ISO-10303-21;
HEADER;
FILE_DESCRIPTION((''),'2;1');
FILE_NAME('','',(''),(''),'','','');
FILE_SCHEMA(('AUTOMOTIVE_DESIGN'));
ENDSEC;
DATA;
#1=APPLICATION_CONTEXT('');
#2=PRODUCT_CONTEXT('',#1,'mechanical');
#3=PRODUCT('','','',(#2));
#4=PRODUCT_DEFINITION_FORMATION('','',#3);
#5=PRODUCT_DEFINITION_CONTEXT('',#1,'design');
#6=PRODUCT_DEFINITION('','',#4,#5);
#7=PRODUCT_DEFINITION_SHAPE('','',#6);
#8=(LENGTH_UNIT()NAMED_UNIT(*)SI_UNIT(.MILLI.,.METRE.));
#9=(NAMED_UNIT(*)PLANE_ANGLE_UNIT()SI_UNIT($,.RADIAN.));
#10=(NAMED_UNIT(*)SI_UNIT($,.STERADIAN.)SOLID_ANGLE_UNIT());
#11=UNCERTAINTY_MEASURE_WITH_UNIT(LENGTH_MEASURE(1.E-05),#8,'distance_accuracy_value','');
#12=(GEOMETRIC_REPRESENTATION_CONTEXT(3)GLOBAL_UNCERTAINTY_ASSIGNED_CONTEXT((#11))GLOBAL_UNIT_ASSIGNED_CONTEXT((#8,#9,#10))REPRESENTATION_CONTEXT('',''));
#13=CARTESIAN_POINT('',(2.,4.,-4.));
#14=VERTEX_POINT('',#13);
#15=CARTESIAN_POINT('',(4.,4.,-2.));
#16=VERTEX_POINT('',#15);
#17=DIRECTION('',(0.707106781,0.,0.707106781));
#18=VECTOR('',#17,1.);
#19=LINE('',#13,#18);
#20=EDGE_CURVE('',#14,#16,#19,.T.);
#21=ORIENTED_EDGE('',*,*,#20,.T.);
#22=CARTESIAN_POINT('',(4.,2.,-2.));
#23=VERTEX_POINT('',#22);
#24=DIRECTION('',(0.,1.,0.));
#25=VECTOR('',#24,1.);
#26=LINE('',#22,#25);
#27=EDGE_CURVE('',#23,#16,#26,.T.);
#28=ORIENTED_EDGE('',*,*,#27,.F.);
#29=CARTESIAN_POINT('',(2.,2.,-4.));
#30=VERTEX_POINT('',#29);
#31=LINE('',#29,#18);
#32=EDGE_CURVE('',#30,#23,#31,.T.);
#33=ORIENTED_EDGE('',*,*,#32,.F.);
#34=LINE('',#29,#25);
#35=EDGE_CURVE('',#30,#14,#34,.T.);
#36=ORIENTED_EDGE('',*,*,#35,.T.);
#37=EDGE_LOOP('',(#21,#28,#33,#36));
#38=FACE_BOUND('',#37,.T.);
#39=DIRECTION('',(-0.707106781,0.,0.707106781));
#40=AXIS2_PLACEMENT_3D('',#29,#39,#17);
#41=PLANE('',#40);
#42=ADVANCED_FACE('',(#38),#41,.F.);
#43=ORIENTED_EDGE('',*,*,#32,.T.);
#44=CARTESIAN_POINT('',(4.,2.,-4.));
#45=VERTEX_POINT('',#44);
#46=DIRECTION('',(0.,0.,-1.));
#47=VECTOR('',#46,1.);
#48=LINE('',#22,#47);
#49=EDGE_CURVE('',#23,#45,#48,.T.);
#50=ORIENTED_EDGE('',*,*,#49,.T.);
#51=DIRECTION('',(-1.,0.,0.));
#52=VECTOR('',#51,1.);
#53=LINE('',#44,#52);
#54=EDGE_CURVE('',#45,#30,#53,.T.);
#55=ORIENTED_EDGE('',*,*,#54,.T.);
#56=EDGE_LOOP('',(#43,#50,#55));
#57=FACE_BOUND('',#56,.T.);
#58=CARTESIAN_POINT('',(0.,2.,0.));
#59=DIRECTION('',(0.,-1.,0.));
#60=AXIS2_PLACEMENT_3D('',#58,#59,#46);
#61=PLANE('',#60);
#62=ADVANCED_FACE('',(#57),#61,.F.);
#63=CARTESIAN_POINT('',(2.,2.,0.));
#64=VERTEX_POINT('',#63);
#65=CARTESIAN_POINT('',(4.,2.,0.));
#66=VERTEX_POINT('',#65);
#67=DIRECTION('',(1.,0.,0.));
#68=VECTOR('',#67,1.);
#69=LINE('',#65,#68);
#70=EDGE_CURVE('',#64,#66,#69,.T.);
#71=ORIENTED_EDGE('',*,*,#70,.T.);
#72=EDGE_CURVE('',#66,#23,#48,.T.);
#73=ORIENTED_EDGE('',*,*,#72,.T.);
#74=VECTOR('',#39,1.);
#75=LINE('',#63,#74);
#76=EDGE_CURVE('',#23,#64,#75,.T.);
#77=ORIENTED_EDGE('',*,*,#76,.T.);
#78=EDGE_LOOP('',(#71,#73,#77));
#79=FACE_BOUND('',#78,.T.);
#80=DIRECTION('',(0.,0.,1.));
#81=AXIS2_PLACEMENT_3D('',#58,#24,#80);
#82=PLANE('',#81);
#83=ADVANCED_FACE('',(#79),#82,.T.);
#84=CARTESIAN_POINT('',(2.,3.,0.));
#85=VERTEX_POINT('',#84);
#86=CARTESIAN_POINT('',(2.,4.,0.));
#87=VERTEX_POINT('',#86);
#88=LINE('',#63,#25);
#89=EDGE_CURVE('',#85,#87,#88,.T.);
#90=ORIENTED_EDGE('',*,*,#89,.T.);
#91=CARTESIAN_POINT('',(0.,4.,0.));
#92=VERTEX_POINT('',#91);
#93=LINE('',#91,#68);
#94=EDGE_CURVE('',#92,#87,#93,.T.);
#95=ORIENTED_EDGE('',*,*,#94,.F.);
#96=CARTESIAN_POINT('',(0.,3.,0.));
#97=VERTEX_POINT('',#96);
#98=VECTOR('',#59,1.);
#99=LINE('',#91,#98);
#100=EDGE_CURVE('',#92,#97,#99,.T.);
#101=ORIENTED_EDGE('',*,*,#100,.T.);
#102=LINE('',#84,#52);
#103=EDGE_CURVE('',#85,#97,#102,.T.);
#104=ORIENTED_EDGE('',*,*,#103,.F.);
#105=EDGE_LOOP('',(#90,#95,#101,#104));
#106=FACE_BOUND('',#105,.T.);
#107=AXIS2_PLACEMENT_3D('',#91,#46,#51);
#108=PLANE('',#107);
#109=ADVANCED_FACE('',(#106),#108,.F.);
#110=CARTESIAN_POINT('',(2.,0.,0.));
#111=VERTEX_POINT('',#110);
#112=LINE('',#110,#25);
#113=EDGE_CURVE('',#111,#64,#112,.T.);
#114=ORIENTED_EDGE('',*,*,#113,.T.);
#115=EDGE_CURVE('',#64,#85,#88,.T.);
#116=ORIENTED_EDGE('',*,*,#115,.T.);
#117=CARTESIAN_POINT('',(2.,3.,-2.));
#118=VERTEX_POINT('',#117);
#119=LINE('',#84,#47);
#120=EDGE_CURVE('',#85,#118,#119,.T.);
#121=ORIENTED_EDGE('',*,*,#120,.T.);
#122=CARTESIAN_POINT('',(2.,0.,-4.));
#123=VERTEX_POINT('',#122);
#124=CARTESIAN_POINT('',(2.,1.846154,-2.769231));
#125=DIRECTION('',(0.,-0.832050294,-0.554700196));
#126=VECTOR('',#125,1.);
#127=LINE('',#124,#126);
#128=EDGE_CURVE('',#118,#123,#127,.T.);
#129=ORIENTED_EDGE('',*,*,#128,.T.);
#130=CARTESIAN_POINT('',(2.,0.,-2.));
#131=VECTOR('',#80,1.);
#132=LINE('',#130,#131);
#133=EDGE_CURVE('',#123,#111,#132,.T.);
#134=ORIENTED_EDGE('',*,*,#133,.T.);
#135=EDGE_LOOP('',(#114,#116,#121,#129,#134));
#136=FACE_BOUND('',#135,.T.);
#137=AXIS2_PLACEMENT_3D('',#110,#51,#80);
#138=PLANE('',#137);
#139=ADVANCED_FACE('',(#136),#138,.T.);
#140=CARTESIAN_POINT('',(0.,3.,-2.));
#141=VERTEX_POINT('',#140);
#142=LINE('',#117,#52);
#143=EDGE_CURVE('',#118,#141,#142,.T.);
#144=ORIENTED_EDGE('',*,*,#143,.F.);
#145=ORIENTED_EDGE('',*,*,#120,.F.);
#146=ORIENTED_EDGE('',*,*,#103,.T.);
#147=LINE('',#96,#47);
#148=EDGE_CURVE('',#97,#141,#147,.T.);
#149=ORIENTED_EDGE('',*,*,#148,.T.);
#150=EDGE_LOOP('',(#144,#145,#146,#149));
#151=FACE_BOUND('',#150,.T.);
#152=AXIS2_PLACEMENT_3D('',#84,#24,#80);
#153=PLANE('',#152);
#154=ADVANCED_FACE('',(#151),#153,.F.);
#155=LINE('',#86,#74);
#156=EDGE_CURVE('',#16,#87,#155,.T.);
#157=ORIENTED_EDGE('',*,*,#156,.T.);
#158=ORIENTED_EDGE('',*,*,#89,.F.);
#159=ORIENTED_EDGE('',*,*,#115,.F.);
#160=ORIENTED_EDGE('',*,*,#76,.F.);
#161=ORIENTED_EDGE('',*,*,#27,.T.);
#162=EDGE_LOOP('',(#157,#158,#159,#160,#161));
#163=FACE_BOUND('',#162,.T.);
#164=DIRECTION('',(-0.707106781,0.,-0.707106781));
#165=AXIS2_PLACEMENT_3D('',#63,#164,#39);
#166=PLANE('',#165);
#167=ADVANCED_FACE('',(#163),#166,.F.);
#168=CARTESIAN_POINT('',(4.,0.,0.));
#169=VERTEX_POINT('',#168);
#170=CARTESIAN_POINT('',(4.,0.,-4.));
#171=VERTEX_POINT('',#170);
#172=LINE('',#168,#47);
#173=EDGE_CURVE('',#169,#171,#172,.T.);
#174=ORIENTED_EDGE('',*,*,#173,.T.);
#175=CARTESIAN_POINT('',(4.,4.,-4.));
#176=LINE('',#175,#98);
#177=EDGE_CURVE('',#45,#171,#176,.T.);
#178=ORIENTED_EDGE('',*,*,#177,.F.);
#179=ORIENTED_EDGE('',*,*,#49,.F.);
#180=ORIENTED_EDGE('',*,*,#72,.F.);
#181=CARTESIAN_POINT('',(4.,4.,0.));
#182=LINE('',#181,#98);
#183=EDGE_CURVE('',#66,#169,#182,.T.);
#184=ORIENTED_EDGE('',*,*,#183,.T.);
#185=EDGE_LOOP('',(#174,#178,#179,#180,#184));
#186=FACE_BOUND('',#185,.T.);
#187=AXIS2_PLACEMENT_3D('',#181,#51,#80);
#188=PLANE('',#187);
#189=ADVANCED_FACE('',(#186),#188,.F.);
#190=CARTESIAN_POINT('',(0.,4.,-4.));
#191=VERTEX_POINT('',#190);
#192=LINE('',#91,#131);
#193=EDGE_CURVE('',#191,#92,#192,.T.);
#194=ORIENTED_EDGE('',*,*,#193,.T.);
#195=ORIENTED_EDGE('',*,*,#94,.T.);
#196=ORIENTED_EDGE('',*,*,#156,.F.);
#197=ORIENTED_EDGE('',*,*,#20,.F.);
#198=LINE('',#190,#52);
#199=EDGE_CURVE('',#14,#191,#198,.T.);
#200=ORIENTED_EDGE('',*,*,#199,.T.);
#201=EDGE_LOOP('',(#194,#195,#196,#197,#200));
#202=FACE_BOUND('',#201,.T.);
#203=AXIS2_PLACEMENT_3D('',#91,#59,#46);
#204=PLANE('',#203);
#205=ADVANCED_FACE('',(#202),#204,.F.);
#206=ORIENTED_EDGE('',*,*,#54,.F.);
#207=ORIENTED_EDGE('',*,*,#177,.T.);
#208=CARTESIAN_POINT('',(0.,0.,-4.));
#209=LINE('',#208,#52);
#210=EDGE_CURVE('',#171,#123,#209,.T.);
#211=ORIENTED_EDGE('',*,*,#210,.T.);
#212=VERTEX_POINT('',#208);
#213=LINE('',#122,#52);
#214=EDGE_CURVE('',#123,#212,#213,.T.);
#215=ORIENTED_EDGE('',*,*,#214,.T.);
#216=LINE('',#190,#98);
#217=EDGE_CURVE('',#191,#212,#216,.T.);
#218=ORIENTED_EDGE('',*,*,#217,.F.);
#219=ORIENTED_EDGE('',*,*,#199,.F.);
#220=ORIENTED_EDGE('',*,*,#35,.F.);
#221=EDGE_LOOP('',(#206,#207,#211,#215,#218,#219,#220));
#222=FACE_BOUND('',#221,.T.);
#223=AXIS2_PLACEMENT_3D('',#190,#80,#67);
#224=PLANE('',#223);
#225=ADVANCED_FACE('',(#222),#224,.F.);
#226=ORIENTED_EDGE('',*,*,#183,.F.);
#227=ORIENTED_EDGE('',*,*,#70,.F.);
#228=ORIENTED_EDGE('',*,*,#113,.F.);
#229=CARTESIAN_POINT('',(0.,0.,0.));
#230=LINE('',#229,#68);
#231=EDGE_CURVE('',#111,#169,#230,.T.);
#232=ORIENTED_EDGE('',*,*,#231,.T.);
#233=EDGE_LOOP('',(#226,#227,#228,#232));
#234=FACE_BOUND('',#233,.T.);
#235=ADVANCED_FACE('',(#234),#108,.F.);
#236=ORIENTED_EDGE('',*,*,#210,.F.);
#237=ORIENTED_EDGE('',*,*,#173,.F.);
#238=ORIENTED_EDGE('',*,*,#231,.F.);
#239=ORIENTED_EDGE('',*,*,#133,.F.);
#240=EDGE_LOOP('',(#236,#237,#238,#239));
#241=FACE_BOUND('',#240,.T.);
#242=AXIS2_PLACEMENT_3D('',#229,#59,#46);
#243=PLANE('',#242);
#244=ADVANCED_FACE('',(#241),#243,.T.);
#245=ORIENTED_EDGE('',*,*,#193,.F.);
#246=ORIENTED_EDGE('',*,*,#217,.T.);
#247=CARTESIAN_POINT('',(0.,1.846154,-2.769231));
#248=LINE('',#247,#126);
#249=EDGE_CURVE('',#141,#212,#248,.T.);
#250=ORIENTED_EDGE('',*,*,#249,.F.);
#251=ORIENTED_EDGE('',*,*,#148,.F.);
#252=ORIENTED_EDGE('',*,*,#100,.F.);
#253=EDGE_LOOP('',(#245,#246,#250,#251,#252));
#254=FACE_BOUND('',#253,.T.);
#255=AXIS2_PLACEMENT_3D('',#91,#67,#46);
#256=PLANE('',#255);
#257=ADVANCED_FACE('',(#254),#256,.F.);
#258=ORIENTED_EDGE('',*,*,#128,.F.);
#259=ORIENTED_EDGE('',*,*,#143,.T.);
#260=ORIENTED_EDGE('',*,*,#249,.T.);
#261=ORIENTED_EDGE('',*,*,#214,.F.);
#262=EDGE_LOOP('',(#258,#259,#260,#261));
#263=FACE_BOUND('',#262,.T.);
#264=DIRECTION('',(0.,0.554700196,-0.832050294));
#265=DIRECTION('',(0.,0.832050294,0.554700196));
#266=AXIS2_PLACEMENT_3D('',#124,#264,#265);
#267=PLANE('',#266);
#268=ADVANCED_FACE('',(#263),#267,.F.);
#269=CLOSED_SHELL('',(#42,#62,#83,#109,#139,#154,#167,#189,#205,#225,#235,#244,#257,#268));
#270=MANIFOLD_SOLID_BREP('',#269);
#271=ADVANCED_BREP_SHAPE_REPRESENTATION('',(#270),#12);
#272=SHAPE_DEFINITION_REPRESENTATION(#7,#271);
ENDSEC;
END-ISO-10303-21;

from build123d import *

# Parameters (mm, degrees)
SKETCH5_W           = 4
SKETCH5_H           = 4
BOSS_EXTRUDE2_DEPTH = 4
SKETCH7_W           = 2
SKETCH7_H           = 3
CUT_EXTRUDE5_DEPTH  = 2
CUT_EXTRUDE8_DEPTH  = 2
CUT_EXTRUDE10_DEPTH = 2
CUT_EXTRUDE13_DEPTH = 2


with BuildPart() as part:
    # Sketch5 → Boss-Extrude2 (new body)
    with BuildSketch(Plane(origin=(0, 0, 0), x_dir=(1, 0, 0), z_dir=(0, 1, 0))):
        with Locations((2, 2)):
            Rectangle(SKETCH5_W, SKETCH5_H)
    extrude(amount=BOSS_EXTRUDE2_DEPTH)

    # Sketch7 → Cut-Extrude5 (cut)
    with BuildSketch(Plane.ZY):
        with Locations((-1, 1.5)):
            Rectangle(SKETCH7_W, SKETCH7_H)
    extrude(amount=-CUT_EXTRUDE5_DEPTH, mode=Mode.SUBTRACT)

    # Sketch11 → Cut-Extrude8 (cut)
    with BuildSketch(Plane(origin=(0, 4, 0), x_dir=(1, 0, 0), z_dir=(0, 1, 0))):
        Polygon((2, 0), (4, 2), (4, 0), align=None)
    extrude(amount=-CUT_EXTRUDE8_DEPTH, mode=Mode.SUBTRACT)

    # Sketch13 → Cut-Extrude10 (cut)
    with BuildSketch(Plane(origin=(0, 4, 0), x_dir=(1, 0, 0), z_dir=(0, 1, 0))):
        Polygon((2, 4), (4, 2), (4, 4), align=None)
    extrude(amount=-CUT_EXTRUDE10_DEPTH, mode=Mode.SUBTRACT)

    # Sketch14 → Cut-Extrude13 (cut)
    with BuildSketch(Plane.ZY):
        Polygon((-2, 3), (-4, 0), (-2, 0), align=None)
    extrude(amount=-CUT_EXTRUDE13_DEPTH, mode=Mode.SUBTRACT)


solid = part.part
